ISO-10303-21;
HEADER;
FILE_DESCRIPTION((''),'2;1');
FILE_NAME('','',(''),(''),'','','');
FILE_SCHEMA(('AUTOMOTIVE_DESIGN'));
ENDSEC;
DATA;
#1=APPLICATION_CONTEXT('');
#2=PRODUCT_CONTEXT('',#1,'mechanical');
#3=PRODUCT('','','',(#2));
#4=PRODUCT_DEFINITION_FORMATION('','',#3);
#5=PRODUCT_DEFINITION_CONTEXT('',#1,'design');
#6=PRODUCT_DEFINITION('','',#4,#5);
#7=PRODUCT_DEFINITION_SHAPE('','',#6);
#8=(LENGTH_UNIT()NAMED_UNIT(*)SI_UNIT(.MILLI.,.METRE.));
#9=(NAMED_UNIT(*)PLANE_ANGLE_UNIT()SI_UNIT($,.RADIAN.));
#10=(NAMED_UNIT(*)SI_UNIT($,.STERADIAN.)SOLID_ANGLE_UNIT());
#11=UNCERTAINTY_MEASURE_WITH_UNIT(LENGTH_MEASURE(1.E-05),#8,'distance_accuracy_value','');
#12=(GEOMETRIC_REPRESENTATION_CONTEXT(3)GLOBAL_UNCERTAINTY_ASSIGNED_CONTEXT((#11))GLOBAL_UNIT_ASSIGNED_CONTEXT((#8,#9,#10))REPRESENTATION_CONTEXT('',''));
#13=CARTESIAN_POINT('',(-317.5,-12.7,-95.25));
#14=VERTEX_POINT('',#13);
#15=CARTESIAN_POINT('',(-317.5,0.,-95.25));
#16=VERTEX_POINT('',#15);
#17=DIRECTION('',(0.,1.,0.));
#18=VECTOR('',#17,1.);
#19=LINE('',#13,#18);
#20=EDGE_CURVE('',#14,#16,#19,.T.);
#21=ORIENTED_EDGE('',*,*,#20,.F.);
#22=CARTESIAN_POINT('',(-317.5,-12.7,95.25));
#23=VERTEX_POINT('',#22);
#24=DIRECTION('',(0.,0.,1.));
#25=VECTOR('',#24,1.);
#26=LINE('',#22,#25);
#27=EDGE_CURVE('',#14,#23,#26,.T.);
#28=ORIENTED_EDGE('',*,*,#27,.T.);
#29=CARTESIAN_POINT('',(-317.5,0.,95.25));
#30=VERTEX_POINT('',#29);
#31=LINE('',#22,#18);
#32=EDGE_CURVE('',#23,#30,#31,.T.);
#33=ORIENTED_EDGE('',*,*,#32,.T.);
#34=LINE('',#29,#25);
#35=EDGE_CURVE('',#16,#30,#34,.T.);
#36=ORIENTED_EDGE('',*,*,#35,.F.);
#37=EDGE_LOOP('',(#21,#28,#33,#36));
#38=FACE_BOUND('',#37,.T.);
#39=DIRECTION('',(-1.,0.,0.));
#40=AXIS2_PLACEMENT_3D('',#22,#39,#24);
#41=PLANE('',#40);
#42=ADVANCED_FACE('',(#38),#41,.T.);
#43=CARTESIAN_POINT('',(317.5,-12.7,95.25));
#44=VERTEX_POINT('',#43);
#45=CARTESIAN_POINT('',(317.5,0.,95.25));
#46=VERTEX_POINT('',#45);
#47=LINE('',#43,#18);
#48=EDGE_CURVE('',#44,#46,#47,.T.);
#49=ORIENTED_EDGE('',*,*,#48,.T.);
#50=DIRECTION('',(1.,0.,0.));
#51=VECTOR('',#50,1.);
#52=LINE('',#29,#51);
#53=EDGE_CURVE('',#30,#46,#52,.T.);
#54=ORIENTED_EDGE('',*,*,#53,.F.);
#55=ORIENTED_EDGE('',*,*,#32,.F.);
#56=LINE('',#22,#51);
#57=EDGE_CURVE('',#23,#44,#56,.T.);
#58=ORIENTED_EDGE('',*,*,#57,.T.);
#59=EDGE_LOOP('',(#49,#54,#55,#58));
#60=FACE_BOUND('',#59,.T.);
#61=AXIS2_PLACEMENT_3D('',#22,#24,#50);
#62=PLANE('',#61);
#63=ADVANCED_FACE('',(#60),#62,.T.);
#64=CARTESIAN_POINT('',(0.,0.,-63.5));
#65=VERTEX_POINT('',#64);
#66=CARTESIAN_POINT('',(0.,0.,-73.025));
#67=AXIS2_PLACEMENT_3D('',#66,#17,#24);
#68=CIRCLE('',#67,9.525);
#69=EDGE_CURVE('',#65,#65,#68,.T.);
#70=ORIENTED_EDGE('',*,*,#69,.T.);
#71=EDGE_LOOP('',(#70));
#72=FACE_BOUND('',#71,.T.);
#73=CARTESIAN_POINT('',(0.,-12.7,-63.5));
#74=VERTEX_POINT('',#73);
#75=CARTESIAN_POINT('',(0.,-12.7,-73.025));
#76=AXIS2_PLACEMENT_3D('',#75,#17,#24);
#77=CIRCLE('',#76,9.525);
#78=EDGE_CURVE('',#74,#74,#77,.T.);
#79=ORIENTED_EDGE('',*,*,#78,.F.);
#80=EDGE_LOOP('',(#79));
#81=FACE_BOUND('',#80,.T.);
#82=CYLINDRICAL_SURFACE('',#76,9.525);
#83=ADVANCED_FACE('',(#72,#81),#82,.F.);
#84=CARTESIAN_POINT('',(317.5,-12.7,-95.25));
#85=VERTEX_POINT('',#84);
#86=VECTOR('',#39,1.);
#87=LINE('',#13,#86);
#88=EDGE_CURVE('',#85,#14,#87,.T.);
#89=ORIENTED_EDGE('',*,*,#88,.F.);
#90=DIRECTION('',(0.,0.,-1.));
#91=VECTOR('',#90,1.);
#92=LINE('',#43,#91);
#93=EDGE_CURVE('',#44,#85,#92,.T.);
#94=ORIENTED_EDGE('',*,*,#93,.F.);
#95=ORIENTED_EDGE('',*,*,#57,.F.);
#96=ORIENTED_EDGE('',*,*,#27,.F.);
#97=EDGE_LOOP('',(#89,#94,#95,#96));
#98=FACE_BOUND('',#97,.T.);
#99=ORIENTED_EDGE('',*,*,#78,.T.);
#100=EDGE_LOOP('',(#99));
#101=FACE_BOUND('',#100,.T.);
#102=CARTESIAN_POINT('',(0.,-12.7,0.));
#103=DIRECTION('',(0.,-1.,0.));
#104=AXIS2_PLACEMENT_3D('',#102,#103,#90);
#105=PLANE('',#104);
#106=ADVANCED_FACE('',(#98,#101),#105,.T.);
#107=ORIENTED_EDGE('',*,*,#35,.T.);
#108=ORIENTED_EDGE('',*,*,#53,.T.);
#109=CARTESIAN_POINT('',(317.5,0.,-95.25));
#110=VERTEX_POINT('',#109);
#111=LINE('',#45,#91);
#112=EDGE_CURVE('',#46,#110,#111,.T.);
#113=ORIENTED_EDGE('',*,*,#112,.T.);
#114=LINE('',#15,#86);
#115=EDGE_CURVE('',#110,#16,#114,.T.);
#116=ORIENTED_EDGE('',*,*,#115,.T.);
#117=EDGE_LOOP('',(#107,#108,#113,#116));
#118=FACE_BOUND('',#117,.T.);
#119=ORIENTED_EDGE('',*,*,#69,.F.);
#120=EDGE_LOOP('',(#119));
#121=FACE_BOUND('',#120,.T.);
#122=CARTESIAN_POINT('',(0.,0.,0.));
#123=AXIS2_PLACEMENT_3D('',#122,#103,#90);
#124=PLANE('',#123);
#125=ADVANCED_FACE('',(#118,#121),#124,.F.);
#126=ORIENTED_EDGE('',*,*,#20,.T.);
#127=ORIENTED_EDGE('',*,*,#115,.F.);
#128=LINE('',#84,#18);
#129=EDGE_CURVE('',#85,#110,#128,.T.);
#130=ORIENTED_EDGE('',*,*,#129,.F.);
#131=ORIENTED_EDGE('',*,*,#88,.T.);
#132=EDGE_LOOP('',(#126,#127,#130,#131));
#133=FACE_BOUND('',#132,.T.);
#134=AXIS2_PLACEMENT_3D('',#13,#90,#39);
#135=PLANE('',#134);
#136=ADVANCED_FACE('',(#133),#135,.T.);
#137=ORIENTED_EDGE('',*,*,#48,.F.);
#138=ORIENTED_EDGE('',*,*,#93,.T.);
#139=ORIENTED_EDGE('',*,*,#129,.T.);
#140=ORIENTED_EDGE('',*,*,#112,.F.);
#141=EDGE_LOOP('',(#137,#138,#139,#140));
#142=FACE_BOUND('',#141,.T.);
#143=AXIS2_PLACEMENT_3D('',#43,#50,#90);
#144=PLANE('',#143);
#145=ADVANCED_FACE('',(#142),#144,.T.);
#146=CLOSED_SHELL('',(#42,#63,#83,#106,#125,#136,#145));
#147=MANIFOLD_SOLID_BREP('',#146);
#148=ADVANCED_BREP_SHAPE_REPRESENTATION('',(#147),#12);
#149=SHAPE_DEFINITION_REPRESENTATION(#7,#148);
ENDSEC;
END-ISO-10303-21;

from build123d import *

# Parameters (mm, degrees)
SKETCH1_W           = 635
SKETCH1_H           = 190.5
BOSS_EXTRUDE1_DEPTH = 12.7
SKETCH2_R           = 9.525
CUT_EXTRUDE1_DEPTH  = 332.72293032


with BuildPart() as part:
    # Sketch1 → Boss-Extrude1 (new body)
    with BuildSketch(Plane(origin=(0, 0, 0), x_dir=(1, 0, 0), z_dir=(0, 1, 0))):
        Rectangle(SKETCH1_W, SKETCH1_H)
    extrude(amount=-BOSS_EXTRUDE1_DEPTH)

    # Sketch2 → Cut-Extrude1 (cut, through all)
    with BuildSketch(Plane(origin=(0, 0, 0), x_dir=(1, 0, 0), z_dir=(0, 1, 0))):
        with Locations(Location((0, 73.025, 0), (0, 0, 270))):
            Circle(SKETCH2_R)
    extrude(amount=-CUT_EXTRUDE1_DEPTH, mode=Mode.SUBTRACT)


solid = part.part
